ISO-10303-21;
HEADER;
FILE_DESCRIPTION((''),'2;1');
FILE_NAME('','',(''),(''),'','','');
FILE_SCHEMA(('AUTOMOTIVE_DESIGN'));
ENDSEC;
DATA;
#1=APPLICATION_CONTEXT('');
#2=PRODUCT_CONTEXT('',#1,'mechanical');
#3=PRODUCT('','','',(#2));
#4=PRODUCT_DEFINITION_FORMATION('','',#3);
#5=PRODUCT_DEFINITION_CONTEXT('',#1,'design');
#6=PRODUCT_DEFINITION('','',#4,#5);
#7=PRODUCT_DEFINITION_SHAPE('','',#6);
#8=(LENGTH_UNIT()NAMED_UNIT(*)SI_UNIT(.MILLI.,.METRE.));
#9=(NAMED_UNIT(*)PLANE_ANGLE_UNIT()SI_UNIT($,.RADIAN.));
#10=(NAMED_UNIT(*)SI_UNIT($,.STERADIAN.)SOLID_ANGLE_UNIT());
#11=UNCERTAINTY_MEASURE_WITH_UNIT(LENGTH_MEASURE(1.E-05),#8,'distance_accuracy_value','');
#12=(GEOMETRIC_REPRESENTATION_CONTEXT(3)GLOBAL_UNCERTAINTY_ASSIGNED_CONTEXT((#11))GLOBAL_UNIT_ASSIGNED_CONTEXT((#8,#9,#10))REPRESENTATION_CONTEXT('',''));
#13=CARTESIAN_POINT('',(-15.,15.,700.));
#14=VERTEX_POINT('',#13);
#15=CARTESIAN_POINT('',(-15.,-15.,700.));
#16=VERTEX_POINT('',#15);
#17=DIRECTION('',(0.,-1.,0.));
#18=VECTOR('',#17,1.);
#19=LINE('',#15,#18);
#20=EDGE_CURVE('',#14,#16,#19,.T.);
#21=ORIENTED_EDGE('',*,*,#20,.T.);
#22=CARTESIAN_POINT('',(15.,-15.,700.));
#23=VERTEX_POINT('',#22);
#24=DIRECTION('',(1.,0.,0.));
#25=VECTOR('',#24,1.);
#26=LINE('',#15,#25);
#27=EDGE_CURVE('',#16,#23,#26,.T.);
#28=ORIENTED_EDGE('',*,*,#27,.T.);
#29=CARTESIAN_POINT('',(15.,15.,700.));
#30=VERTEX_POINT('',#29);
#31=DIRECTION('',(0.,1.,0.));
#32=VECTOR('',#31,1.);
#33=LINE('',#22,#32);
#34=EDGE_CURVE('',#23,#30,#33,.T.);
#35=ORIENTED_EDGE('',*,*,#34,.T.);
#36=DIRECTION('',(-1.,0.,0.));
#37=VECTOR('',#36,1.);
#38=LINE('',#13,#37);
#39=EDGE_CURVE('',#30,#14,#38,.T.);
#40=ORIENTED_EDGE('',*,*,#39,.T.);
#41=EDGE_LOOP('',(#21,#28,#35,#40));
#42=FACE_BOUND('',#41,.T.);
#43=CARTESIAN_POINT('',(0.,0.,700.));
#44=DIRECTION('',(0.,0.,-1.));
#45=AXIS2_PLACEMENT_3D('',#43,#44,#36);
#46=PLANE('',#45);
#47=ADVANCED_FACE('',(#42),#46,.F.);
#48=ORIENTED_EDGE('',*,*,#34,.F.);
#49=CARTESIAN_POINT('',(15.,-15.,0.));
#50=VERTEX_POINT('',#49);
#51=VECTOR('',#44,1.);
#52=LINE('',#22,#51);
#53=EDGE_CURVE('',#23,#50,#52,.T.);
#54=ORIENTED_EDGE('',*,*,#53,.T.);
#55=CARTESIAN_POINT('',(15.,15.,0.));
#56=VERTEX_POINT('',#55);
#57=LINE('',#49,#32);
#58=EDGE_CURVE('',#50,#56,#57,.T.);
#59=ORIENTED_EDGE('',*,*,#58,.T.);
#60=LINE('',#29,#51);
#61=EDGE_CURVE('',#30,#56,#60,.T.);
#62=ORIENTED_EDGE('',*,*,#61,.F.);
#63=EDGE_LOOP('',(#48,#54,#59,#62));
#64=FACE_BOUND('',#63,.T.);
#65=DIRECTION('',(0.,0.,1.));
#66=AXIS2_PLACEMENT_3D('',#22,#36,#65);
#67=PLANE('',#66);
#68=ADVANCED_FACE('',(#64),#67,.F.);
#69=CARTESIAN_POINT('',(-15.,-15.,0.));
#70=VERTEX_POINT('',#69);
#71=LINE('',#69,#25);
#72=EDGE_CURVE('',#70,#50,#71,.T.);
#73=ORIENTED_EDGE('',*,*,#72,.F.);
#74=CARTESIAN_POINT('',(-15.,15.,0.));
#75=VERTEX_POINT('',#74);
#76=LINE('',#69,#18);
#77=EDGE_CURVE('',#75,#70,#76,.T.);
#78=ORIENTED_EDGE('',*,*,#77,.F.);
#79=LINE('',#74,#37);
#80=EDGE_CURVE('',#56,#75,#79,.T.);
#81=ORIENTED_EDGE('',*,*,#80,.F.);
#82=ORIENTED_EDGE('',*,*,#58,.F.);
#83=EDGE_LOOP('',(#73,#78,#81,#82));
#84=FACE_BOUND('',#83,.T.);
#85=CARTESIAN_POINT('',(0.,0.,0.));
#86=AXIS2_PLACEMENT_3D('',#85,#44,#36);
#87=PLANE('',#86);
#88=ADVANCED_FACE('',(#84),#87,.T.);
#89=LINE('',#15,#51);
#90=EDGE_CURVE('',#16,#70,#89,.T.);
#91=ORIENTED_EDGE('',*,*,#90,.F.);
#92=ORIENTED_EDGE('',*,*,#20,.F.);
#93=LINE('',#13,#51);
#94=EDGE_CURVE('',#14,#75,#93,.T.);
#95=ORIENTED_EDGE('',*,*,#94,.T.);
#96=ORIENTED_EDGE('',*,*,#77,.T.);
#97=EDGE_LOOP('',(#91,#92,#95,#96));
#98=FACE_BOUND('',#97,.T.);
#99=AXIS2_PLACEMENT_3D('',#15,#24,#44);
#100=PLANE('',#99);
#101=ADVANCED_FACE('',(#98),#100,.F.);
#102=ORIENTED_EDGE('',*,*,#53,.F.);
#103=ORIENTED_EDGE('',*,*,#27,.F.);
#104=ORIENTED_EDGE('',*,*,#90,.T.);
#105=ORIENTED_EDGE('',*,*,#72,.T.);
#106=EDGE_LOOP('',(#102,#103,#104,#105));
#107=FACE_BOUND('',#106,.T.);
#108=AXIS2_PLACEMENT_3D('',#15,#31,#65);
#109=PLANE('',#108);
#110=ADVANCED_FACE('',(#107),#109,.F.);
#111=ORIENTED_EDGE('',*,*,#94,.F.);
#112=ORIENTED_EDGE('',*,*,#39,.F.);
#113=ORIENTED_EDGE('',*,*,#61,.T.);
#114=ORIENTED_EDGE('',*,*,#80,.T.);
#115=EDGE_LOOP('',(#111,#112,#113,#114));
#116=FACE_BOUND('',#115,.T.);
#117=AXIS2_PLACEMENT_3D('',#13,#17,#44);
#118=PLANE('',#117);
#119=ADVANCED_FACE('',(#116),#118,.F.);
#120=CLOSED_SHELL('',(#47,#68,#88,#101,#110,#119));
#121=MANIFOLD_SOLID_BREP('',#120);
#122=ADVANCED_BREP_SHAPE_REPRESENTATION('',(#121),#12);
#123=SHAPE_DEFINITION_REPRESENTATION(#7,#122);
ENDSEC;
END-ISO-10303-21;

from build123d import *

# Parameters (mm, degrees)
SKETCH_1_W      = 30
SKETCH_1_H      = 30
EXTRUDE_1_DEPTH = 700


with BuildPart() as part:
    # 스케치1 → 보스-돌출1 (new body)
    with BuildSketch(Plane.XY):
        Rectangle(SKETCH_1_W, SKETCH_1_H)
    extrude(amount=EXTRUDE_1_DEPTH)


solid = part.part
